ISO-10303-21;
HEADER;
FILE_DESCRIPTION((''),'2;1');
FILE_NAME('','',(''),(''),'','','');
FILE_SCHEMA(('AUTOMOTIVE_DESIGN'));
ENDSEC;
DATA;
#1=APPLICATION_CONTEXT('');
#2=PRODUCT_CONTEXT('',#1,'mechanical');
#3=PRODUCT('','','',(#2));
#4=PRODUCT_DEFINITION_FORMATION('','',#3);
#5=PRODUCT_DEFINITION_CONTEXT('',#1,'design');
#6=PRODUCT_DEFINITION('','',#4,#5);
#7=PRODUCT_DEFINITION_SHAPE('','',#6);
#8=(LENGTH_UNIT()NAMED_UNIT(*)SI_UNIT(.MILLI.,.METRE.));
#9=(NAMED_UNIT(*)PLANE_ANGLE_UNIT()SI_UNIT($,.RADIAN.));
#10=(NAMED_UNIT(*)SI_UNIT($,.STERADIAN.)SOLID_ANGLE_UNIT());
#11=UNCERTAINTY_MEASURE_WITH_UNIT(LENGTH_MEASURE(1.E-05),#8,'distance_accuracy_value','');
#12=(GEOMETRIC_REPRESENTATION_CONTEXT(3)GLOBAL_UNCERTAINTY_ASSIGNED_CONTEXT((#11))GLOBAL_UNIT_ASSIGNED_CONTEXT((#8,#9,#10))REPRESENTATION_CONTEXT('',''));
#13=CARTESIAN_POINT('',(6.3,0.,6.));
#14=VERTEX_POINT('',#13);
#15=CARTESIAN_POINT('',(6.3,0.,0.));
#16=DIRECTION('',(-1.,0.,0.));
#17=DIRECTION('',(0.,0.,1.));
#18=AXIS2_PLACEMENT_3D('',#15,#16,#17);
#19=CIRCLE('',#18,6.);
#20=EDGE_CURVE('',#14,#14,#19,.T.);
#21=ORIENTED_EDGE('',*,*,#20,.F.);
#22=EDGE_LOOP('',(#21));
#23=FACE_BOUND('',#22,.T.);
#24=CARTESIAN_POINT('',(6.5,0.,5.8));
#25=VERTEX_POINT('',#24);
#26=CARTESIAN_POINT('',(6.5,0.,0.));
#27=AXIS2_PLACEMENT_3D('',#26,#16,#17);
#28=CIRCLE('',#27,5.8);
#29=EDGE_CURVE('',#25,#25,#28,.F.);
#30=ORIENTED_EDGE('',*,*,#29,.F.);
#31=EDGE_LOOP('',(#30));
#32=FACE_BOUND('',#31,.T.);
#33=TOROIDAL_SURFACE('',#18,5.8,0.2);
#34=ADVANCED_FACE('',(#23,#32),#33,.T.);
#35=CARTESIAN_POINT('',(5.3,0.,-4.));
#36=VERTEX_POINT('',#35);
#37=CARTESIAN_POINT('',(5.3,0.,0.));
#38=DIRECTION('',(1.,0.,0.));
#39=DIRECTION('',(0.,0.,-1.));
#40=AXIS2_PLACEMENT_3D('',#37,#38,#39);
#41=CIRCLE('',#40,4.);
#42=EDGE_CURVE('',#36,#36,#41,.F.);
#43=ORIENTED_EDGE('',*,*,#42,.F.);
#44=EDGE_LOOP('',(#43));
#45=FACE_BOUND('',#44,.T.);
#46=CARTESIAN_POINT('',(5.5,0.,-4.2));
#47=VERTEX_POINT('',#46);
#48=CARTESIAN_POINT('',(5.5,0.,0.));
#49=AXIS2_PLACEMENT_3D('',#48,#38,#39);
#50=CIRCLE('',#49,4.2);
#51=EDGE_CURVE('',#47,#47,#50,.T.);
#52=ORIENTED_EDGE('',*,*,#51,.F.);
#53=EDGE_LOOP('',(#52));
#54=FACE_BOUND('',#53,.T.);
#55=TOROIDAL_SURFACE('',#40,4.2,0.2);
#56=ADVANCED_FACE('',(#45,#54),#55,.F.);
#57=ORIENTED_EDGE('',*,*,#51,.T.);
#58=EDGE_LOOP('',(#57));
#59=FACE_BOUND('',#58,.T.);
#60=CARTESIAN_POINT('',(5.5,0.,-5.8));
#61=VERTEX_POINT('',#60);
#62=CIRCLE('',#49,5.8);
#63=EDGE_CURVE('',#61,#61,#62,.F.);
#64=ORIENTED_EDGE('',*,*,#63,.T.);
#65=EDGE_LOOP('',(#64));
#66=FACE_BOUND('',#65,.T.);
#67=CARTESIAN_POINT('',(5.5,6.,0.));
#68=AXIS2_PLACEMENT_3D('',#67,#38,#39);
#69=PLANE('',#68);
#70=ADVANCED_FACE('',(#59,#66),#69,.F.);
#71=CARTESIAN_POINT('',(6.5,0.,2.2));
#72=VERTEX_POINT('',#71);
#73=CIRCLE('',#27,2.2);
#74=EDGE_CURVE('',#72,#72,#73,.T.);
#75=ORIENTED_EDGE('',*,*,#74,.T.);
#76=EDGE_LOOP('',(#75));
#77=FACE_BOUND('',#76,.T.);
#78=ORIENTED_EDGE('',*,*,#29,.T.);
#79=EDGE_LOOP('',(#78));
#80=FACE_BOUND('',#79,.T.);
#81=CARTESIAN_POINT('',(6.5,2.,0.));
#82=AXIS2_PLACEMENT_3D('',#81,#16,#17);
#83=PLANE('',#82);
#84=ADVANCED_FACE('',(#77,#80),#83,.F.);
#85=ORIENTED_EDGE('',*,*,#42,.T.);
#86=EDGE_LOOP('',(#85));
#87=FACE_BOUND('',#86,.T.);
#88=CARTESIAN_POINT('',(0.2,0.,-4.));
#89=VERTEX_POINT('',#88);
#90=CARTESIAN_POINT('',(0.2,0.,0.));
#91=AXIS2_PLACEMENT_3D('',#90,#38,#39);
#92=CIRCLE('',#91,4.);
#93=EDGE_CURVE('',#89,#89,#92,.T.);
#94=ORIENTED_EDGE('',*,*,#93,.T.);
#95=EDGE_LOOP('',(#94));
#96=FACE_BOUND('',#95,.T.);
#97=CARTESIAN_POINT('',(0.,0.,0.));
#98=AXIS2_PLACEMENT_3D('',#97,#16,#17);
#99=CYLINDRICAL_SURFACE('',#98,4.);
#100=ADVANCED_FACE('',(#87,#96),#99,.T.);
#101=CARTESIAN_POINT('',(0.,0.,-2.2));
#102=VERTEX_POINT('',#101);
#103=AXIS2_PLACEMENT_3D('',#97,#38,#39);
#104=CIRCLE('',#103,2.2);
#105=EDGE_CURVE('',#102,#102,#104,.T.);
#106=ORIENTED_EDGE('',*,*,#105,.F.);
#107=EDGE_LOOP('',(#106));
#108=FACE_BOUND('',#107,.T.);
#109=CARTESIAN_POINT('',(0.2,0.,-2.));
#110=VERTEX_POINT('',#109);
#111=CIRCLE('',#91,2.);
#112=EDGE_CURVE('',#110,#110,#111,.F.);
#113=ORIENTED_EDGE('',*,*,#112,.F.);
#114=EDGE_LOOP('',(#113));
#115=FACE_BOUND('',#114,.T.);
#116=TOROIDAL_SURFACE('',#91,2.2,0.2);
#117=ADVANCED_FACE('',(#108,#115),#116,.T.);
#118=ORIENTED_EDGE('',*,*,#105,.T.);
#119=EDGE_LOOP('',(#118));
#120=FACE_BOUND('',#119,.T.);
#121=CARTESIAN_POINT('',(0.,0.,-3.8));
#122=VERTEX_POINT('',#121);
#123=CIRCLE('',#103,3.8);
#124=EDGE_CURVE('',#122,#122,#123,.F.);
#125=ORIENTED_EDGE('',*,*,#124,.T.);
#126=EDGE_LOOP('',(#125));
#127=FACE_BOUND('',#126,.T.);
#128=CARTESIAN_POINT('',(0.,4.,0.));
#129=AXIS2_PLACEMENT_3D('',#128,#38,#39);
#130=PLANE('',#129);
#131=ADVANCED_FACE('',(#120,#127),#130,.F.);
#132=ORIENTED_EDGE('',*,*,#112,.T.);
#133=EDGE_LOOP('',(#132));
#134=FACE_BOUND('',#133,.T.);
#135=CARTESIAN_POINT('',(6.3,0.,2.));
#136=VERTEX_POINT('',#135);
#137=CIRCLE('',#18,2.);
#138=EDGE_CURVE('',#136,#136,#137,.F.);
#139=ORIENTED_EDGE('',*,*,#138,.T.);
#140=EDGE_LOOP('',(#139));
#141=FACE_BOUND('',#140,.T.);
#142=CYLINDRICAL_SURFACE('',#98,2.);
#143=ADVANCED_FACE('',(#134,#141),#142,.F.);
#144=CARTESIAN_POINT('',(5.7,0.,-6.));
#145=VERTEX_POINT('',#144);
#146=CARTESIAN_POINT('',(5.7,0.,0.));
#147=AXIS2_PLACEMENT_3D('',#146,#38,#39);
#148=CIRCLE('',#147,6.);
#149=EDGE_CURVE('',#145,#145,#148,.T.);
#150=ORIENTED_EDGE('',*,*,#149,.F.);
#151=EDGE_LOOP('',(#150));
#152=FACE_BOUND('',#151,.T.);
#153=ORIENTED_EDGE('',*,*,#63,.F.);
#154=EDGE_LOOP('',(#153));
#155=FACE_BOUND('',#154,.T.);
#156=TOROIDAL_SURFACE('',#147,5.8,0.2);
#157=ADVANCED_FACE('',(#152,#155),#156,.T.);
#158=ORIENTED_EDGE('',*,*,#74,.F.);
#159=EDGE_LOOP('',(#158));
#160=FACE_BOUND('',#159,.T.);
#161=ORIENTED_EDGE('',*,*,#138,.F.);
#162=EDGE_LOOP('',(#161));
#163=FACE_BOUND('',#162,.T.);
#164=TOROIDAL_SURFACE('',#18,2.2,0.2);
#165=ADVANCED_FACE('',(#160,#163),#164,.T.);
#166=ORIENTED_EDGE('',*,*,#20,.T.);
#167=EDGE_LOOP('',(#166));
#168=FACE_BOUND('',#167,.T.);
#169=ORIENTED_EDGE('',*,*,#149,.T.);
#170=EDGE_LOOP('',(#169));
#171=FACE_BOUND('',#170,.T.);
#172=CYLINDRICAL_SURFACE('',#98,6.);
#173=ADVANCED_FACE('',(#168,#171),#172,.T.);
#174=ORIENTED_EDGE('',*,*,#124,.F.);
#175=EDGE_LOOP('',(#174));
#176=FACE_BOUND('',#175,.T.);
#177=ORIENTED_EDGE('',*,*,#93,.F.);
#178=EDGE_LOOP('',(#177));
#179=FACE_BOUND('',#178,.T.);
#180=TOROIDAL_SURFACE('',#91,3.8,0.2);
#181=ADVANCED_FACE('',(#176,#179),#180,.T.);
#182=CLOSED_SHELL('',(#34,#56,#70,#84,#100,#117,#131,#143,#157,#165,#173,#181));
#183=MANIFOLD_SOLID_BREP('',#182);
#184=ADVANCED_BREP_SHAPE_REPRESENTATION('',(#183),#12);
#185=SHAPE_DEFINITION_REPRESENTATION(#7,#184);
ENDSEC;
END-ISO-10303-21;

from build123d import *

# Parameters (mm, degrees)
CONG_1_R = 0.2


with BuildPart() as part:
    # Esquisse1 → Révolution1 (revolve)
    with BuildSketch(Plane.XY, mode=Mode.PRIVATE) as r_volution1_sk:
        Polygon((0, 2), (6.5, 2), (6.5, 6), (5.5, 6), (5.5, 4), (0, 4), align=None)
    revolve(r_volution1_sk.sketch.rotate(Axis((0, 0, 0), (1, 0, 0)), 270), axis=Axis((0, 0, 0), (1, 0, 0)))

    # Congé1
    cong_1_edges = [part.edges().sort_by_distance(p)[0] for p in [
        (0, 0, 2),
        (6.5, 0, 2),
        (6.5, 0, 6),
        (5.5, 0, 6),
        (5.5, 0, 4),
        (0, 0, 4),
    ]]
    fillet(cong_1_edges, radius=CONG_1_R)


solid = part.part
